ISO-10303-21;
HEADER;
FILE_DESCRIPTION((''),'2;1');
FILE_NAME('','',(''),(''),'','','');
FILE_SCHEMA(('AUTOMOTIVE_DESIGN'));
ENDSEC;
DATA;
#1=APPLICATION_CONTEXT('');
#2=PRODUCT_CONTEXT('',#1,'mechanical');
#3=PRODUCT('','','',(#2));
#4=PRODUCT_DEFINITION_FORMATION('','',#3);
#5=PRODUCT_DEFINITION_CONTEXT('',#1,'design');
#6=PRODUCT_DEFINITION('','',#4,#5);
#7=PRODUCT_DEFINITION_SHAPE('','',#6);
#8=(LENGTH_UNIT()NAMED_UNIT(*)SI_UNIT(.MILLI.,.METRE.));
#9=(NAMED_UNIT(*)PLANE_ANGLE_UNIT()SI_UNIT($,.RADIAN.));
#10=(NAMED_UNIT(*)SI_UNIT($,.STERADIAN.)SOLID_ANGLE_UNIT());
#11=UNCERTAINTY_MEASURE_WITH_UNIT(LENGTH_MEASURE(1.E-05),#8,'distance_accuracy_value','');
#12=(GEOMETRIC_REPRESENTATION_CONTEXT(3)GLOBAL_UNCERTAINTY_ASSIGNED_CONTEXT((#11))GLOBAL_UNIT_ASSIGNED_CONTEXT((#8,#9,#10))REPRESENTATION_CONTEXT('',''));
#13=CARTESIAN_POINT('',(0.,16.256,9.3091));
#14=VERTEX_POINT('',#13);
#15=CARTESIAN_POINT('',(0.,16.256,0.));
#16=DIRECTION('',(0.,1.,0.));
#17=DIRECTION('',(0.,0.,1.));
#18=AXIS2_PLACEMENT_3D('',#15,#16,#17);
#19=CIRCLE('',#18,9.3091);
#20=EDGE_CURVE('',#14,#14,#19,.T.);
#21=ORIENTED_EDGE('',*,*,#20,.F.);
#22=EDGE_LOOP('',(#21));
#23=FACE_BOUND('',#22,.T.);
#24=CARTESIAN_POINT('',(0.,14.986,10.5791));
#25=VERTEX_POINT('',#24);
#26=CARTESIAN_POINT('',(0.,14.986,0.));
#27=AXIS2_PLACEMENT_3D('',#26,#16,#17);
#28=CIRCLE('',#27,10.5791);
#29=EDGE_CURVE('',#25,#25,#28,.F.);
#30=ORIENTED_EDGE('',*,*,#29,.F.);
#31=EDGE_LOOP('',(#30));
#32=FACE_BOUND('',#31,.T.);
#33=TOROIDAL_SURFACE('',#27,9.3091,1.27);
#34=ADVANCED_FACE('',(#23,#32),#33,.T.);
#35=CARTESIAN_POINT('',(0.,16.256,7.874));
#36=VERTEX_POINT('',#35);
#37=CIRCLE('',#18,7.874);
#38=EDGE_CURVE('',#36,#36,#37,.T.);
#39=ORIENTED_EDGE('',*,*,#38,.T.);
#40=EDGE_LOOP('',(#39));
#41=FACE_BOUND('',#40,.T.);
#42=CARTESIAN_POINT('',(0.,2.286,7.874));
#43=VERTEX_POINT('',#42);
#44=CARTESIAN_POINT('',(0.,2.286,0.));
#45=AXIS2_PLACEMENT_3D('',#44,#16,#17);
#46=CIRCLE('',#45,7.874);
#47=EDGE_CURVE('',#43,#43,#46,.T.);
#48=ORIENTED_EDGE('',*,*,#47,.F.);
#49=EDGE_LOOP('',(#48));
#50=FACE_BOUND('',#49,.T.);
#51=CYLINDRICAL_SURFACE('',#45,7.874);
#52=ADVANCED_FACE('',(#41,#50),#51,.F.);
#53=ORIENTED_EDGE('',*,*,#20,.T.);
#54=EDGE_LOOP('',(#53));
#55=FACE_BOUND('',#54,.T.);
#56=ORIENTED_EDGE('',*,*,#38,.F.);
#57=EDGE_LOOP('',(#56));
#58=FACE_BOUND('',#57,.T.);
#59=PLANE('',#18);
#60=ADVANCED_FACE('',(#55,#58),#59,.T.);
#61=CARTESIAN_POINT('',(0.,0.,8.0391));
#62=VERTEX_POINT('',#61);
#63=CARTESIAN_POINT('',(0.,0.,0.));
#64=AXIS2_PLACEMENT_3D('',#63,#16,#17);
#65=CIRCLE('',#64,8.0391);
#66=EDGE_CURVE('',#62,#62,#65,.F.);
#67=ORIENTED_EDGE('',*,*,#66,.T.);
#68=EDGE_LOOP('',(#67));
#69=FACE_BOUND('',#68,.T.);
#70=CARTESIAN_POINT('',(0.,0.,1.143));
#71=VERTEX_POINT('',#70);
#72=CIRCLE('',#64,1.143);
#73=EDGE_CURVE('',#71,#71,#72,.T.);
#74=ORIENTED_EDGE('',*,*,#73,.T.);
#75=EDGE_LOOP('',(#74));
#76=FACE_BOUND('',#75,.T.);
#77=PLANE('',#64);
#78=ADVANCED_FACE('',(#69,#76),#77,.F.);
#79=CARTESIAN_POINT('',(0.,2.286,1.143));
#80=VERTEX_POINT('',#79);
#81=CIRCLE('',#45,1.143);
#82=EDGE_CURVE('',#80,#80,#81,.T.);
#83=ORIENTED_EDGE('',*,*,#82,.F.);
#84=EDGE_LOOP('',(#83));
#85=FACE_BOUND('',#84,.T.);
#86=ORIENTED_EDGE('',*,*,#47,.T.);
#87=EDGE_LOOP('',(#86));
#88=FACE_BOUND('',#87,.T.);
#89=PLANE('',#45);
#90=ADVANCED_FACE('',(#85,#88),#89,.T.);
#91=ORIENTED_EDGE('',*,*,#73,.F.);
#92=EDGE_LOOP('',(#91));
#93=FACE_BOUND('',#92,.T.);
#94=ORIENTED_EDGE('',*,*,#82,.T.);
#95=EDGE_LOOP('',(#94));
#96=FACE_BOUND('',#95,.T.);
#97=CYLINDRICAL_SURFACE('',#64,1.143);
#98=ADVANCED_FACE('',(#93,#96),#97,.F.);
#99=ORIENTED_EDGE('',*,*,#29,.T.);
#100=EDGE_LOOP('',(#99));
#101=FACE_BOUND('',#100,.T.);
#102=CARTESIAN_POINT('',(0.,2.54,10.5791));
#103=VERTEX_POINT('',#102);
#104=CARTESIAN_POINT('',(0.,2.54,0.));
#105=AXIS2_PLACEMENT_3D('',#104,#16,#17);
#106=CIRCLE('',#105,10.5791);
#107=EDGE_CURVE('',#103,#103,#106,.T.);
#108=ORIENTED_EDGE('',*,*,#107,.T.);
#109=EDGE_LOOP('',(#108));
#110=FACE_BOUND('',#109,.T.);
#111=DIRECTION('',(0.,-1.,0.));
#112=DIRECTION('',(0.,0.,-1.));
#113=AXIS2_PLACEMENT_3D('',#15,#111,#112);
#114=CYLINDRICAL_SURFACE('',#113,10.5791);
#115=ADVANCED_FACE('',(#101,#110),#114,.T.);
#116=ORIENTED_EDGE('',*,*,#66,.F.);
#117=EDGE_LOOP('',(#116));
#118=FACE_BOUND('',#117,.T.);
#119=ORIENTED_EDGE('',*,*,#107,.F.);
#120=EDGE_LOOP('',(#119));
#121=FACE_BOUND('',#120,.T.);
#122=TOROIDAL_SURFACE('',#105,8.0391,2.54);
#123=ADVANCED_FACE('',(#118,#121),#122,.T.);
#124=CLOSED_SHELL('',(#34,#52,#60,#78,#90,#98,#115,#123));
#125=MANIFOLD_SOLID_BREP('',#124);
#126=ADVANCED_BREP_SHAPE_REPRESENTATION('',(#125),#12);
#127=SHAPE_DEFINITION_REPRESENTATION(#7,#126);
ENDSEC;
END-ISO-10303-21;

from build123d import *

# Parameters (mm, degrees)
SKETCH1_R           = 10.5791
BOSS_EXTRUDE1_DEPTH = 16.256
SKETCH2_R           = 7.874
CUT_EXTRUDE1_DEPTH  = 13.97
FILLET1_R           = 1.27
FILLET2_R           = 2.54
SKETCH4_R           = 1.143
CUT_EXTRUDE2_DEPTH  = 21.469382398


with BuildPart() as part:
    # Sketch1 → Boss-Extrude1 (new body)
    with BuildSketch(Plane(origin=(0, 0, 0), x_dir=(1, 0, 0), z_dir=(0, 1, 0))):
        with Locations(Location((0, 0, 0), (0, 0, 270))):
            Circle(SKETCH1_R)
    extrude(amount=BOSS_EXTRUDE1_DEPTH)

    # Sketch2 → Cut-Extrude1 (cut)
    with BuildSketch(Plane(origin=(0, 16.256, 0), x_dir=(1, 0, 0), z_dir=(0, 1, 0))):
        with Locations(Location((0, 0, 0), (0, 0, 270))):
            Circle(SKETCH2_R)
    extrude(amount=-CUT_EXTRUDE1_DEPTH, mode=Mode.SUBTRACT)

    # Fillet1
    fillet1_edges = [part.edges().sort_by_distance(p)[0] for p in [
        (0, 16.256, -10.5791),
    ]]
    fillet(fillet1_edges, radius=FILLET1_R)

    # Fillet2
    fillet2_edges = [part.edges().sort_by_distance(p)[0] for p in [
        (0, 0, -10.5791),
    ]]
    fillet(fillet2_edges, radius=FILLET2_R)

    # Sketch4 → Cut-Extrude2 (cut, through all)
    with BuildSketch(Plane(origin=(0, 2.286, 0), x_dir=(1, 0, 0), z_dir=(0, 1, 0))):
        with Locations(Location((0, 0, 0), (0, 0, 270))):
            Circle(SKETCH4_R)
    extrude(amount=-CUT_EXTRUDE2_DEPTH, mode=Mode.SUBTRACT)


solid = part.part
